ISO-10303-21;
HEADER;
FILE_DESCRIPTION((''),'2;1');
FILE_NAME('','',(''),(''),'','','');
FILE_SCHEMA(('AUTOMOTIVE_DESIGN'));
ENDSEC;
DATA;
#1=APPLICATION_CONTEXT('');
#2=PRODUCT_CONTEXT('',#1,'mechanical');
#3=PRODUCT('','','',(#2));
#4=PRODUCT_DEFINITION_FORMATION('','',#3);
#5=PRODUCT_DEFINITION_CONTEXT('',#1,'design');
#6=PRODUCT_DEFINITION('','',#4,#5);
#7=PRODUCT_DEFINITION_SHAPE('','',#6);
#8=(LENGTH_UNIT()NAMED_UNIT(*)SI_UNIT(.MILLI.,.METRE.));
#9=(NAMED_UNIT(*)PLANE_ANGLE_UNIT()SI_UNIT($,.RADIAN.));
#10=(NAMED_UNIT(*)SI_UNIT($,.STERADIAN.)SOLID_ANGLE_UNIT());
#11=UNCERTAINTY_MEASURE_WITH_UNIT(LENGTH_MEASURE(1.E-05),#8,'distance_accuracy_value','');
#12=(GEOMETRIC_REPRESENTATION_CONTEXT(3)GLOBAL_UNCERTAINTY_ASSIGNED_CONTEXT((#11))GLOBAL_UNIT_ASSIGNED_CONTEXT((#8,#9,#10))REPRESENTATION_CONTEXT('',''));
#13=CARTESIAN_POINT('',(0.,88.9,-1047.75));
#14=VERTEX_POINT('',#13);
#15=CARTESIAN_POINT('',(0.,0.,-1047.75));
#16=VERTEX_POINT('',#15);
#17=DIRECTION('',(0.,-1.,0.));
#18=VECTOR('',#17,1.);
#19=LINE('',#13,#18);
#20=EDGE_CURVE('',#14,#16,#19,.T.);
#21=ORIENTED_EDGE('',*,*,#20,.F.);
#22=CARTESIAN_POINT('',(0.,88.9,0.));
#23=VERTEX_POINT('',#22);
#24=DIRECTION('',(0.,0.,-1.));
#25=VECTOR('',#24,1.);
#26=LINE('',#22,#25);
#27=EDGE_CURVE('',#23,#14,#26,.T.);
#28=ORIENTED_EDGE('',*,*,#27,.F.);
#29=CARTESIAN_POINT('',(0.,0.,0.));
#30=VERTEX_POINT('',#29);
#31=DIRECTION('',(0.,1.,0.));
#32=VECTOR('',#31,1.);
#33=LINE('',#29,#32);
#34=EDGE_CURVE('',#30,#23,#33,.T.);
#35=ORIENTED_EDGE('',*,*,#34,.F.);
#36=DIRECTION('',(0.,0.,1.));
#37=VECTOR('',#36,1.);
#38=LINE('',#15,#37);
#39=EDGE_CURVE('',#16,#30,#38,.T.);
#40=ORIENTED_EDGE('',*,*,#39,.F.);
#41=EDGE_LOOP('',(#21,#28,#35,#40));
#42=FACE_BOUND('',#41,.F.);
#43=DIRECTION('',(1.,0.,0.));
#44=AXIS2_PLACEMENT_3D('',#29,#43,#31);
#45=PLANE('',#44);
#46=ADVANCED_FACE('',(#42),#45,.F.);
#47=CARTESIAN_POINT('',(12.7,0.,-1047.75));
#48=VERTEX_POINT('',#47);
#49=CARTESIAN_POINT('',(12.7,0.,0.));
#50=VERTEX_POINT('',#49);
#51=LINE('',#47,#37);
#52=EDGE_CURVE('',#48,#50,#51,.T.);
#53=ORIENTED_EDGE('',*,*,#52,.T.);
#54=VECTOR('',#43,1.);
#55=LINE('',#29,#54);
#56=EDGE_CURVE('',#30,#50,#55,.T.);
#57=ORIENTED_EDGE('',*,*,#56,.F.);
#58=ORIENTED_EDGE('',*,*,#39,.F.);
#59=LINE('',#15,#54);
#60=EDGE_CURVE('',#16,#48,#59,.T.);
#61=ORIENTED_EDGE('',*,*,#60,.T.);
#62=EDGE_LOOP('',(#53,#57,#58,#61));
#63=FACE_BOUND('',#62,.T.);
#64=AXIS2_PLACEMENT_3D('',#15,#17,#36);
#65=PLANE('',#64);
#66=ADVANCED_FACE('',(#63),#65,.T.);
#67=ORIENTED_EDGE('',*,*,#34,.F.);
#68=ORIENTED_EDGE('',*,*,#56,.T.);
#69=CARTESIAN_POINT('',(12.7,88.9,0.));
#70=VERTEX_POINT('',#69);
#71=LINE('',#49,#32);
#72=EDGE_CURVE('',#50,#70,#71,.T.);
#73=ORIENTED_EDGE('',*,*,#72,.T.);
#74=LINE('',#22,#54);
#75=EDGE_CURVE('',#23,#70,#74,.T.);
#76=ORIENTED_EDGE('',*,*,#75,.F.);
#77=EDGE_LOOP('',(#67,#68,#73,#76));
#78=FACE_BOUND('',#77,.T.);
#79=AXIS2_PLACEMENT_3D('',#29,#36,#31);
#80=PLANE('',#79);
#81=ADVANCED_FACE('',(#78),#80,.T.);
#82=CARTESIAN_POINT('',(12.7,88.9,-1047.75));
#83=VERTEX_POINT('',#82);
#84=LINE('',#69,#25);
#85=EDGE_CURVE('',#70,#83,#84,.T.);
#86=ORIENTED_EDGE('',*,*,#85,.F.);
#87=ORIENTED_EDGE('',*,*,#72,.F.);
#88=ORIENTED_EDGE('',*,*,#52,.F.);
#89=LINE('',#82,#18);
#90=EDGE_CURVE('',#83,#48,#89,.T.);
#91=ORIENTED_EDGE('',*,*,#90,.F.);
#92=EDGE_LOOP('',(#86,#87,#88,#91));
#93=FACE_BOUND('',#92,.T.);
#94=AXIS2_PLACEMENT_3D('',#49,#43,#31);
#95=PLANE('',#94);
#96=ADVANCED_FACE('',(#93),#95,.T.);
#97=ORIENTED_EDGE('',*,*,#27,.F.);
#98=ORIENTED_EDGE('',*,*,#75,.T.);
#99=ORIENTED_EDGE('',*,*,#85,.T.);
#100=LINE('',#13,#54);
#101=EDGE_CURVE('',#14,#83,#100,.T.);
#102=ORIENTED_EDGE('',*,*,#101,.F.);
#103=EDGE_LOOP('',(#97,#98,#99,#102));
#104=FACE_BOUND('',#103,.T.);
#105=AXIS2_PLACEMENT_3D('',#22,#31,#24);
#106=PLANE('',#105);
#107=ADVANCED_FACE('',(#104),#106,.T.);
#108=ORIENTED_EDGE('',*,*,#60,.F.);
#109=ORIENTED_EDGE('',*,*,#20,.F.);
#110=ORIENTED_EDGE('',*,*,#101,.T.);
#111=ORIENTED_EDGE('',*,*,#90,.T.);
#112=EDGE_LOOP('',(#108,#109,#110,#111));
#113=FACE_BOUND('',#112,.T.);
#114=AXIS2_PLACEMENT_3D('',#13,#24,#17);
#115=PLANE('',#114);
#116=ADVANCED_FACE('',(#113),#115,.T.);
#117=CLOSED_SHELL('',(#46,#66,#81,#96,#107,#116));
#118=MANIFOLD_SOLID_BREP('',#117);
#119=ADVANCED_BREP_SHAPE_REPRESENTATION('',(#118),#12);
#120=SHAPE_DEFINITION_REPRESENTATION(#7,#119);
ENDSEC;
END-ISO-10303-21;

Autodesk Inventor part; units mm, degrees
ref_plane "YZ Plane" through (0, 0, 0) normal (1, 0, 0) x (0, 1, 0)
ref_plane "XZ Plane" through (0, 0, 0) normal (0, 1, 0) x (-1, 0, 0)
ref_plane "XY Plane" through (0, 0, 0) normal (0, 0, 1) x (1, 0, 0)
sketch "Sketch1" plane through (0, 0, 0) normal (1, 0, 0) x (0, 1, 0)
  line L0 (0, 0) -> (88.9, 0)
  line L1 (88.9, 0) -> (88.9, -1047.75)
  line L2 (88.9, -1047.75) -> (0, -1047.75)
  line L3 (0, -1047.75) -> (0, 0)
  dimension "d1" = 1047.75
  dimension "d4" = 88.9
extrude "Extrusion1" add sketch "Sketch1" along normal blind 12.7
properties part number "Header_With_Dimensions_0.5_x_5.5_x_66.5_Inches" material "Wood (Birch)"
